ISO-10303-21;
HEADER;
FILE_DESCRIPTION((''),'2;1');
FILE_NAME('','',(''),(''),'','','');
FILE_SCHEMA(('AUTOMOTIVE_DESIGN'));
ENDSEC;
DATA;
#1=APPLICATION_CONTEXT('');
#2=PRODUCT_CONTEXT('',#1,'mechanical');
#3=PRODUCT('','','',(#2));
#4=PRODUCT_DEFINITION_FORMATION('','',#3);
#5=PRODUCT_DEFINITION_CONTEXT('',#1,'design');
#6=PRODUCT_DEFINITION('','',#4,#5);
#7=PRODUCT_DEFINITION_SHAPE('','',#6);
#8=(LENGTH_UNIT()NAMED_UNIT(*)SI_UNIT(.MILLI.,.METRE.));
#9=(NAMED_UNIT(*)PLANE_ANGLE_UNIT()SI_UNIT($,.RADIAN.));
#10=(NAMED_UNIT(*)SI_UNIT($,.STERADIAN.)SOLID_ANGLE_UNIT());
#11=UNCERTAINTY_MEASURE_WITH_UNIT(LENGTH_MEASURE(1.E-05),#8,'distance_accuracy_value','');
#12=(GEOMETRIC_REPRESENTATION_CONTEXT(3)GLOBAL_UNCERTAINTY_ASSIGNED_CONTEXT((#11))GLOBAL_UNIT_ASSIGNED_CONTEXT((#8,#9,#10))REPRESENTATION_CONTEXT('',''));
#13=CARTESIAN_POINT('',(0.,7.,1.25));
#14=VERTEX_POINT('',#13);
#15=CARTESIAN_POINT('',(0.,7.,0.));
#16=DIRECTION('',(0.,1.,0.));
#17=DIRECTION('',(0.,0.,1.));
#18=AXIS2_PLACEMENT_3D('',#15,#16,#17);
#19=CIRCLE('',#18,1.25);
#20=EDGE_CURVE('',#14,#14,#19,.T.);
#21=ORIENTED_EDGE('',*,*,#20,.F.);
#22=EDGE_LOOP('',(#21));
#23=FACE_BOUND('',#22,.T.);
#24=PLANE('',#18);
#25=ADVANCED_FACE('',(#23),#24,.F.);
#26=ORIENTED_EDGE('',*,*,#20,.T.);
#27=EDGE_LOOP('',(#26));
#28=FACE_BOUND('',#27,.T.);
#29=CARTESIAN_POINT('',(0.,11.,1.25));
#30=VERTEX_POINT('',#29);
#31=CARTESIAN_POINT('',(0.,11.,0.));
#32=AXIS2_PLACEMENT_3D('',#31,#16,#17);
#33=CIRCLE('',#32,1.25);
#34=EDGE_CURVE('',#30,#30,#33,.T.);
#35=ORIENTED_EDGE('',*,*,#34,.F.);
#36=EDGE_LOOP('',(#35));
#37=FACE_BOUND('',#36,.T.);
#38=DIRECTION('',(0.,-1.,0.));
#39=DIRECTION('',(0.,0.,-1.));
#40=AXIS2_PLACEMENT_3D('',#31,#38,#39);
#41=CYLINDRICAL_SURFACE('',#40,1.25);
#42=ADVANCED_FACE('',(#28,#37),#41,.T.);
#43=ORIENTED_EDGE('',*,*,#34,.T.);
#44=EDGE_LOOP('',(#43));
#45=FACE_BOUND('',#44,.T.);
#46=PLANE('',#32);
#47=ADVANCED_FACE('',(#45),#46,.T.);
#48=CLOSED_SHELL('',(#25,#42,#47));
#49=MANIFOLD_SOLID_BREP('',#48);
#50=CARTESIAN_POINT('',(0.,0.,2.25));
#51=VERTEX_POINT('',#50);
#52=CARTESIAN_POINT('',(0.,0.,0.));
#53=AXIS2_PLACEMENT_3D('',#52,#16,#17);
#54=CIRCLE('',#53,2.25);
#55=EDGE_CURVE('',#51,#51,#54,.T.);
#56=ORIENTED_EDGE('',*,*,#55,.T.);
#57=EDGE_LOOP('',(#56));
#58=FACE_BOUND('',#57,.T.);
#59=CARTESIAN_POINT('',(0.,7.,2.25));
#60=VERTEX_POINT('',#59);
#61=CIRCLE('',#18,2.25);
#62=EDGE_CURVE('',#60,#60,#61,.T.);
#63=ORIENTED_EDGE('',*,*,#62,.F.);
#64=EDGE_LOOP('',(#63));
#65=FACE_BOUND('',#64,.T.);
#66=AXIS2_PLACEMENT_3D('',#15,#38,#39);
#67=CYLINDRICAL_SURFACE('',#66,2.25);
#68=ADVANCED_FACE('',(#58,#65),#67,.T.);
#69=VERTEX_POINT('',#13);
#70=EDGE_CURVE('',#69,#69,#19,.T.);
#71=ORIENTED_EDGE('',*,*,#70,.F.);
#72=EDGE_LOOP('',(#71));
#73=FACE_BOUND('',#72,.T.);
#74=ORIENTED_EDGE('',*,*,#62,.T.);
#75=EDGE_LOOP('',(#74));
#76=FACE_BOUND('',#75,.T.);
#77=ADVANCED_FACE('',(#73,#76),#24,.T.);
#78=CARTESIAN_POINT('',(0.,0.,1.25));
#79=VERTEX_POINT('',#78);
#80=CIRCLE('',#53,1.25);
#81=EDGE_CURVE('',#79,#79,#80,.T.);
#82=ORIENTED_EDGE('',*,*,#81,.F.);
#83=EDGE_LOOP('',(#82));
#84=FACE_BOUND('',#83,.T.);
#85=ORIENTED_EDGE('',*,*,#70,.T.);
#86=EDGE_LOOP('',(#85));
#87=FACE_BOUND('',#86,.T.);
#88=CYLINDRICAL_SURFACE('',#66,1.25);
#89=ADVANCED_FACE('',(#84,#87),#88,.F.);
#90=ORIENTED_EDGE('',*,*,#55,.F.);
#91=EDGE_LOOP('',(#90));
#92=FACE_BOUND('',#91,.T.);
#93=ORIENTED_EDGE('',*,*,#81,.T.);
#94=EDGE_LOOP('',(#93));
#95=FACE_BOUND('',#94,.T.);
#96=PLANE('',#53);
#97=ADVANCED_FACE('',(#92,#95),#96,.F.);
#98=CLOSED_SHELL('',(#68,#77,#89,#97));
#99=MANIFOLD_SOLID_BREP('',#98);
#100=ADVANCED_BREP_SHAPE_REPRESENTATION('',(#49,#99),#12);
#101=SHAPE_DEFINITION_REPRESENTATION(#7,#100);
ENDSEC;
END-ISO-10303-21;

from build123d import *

# Parameters (mm, degrees)
SKETCH_1_R      = 2.25
SKETCH_1_R_2    = 1.25
EXTRUDE_1_DEPTH = 7
SKETCH_2_R      = 1.25
EXTRUDE_2_DEPTH = 4


with BuildPart() as part:
    # 草图1 → 凸台-拉伸1 (new body)
    with BuildSketch(Plane(origin=(0, 0, 0), x_dir=(1, 0, 0), z_dir=(0, 1, 0))):
        with Locations(Location((0, 0, 0), (0, 0, 270))):
            Circle(SKETCH_1_R)
        with Locations(Location((0, 0, 0), (0, 0, 270))):
            Circle(SKETCH_1_R_2, mode=Mode.SUBTRACT)
    extrude(amount=EXTRUDE_1_DEPTH)


with BuildPart() as body_2:
    # 草图2 → 凸台-拉伸2 (new body)
    with BuildSketch(Plane(origin=(0, 7, 0), x_dir=(1, 0, 0), z_dir=(0, 1, 0))):
        with Locations(Location((0, 0, 0), (0, 0, 270))):
            Circle(SKETCH_2_R)
    extrude(amount=EXTRUDE_2_DEPTH)


solid = Compound([part.part, body_2.part])
